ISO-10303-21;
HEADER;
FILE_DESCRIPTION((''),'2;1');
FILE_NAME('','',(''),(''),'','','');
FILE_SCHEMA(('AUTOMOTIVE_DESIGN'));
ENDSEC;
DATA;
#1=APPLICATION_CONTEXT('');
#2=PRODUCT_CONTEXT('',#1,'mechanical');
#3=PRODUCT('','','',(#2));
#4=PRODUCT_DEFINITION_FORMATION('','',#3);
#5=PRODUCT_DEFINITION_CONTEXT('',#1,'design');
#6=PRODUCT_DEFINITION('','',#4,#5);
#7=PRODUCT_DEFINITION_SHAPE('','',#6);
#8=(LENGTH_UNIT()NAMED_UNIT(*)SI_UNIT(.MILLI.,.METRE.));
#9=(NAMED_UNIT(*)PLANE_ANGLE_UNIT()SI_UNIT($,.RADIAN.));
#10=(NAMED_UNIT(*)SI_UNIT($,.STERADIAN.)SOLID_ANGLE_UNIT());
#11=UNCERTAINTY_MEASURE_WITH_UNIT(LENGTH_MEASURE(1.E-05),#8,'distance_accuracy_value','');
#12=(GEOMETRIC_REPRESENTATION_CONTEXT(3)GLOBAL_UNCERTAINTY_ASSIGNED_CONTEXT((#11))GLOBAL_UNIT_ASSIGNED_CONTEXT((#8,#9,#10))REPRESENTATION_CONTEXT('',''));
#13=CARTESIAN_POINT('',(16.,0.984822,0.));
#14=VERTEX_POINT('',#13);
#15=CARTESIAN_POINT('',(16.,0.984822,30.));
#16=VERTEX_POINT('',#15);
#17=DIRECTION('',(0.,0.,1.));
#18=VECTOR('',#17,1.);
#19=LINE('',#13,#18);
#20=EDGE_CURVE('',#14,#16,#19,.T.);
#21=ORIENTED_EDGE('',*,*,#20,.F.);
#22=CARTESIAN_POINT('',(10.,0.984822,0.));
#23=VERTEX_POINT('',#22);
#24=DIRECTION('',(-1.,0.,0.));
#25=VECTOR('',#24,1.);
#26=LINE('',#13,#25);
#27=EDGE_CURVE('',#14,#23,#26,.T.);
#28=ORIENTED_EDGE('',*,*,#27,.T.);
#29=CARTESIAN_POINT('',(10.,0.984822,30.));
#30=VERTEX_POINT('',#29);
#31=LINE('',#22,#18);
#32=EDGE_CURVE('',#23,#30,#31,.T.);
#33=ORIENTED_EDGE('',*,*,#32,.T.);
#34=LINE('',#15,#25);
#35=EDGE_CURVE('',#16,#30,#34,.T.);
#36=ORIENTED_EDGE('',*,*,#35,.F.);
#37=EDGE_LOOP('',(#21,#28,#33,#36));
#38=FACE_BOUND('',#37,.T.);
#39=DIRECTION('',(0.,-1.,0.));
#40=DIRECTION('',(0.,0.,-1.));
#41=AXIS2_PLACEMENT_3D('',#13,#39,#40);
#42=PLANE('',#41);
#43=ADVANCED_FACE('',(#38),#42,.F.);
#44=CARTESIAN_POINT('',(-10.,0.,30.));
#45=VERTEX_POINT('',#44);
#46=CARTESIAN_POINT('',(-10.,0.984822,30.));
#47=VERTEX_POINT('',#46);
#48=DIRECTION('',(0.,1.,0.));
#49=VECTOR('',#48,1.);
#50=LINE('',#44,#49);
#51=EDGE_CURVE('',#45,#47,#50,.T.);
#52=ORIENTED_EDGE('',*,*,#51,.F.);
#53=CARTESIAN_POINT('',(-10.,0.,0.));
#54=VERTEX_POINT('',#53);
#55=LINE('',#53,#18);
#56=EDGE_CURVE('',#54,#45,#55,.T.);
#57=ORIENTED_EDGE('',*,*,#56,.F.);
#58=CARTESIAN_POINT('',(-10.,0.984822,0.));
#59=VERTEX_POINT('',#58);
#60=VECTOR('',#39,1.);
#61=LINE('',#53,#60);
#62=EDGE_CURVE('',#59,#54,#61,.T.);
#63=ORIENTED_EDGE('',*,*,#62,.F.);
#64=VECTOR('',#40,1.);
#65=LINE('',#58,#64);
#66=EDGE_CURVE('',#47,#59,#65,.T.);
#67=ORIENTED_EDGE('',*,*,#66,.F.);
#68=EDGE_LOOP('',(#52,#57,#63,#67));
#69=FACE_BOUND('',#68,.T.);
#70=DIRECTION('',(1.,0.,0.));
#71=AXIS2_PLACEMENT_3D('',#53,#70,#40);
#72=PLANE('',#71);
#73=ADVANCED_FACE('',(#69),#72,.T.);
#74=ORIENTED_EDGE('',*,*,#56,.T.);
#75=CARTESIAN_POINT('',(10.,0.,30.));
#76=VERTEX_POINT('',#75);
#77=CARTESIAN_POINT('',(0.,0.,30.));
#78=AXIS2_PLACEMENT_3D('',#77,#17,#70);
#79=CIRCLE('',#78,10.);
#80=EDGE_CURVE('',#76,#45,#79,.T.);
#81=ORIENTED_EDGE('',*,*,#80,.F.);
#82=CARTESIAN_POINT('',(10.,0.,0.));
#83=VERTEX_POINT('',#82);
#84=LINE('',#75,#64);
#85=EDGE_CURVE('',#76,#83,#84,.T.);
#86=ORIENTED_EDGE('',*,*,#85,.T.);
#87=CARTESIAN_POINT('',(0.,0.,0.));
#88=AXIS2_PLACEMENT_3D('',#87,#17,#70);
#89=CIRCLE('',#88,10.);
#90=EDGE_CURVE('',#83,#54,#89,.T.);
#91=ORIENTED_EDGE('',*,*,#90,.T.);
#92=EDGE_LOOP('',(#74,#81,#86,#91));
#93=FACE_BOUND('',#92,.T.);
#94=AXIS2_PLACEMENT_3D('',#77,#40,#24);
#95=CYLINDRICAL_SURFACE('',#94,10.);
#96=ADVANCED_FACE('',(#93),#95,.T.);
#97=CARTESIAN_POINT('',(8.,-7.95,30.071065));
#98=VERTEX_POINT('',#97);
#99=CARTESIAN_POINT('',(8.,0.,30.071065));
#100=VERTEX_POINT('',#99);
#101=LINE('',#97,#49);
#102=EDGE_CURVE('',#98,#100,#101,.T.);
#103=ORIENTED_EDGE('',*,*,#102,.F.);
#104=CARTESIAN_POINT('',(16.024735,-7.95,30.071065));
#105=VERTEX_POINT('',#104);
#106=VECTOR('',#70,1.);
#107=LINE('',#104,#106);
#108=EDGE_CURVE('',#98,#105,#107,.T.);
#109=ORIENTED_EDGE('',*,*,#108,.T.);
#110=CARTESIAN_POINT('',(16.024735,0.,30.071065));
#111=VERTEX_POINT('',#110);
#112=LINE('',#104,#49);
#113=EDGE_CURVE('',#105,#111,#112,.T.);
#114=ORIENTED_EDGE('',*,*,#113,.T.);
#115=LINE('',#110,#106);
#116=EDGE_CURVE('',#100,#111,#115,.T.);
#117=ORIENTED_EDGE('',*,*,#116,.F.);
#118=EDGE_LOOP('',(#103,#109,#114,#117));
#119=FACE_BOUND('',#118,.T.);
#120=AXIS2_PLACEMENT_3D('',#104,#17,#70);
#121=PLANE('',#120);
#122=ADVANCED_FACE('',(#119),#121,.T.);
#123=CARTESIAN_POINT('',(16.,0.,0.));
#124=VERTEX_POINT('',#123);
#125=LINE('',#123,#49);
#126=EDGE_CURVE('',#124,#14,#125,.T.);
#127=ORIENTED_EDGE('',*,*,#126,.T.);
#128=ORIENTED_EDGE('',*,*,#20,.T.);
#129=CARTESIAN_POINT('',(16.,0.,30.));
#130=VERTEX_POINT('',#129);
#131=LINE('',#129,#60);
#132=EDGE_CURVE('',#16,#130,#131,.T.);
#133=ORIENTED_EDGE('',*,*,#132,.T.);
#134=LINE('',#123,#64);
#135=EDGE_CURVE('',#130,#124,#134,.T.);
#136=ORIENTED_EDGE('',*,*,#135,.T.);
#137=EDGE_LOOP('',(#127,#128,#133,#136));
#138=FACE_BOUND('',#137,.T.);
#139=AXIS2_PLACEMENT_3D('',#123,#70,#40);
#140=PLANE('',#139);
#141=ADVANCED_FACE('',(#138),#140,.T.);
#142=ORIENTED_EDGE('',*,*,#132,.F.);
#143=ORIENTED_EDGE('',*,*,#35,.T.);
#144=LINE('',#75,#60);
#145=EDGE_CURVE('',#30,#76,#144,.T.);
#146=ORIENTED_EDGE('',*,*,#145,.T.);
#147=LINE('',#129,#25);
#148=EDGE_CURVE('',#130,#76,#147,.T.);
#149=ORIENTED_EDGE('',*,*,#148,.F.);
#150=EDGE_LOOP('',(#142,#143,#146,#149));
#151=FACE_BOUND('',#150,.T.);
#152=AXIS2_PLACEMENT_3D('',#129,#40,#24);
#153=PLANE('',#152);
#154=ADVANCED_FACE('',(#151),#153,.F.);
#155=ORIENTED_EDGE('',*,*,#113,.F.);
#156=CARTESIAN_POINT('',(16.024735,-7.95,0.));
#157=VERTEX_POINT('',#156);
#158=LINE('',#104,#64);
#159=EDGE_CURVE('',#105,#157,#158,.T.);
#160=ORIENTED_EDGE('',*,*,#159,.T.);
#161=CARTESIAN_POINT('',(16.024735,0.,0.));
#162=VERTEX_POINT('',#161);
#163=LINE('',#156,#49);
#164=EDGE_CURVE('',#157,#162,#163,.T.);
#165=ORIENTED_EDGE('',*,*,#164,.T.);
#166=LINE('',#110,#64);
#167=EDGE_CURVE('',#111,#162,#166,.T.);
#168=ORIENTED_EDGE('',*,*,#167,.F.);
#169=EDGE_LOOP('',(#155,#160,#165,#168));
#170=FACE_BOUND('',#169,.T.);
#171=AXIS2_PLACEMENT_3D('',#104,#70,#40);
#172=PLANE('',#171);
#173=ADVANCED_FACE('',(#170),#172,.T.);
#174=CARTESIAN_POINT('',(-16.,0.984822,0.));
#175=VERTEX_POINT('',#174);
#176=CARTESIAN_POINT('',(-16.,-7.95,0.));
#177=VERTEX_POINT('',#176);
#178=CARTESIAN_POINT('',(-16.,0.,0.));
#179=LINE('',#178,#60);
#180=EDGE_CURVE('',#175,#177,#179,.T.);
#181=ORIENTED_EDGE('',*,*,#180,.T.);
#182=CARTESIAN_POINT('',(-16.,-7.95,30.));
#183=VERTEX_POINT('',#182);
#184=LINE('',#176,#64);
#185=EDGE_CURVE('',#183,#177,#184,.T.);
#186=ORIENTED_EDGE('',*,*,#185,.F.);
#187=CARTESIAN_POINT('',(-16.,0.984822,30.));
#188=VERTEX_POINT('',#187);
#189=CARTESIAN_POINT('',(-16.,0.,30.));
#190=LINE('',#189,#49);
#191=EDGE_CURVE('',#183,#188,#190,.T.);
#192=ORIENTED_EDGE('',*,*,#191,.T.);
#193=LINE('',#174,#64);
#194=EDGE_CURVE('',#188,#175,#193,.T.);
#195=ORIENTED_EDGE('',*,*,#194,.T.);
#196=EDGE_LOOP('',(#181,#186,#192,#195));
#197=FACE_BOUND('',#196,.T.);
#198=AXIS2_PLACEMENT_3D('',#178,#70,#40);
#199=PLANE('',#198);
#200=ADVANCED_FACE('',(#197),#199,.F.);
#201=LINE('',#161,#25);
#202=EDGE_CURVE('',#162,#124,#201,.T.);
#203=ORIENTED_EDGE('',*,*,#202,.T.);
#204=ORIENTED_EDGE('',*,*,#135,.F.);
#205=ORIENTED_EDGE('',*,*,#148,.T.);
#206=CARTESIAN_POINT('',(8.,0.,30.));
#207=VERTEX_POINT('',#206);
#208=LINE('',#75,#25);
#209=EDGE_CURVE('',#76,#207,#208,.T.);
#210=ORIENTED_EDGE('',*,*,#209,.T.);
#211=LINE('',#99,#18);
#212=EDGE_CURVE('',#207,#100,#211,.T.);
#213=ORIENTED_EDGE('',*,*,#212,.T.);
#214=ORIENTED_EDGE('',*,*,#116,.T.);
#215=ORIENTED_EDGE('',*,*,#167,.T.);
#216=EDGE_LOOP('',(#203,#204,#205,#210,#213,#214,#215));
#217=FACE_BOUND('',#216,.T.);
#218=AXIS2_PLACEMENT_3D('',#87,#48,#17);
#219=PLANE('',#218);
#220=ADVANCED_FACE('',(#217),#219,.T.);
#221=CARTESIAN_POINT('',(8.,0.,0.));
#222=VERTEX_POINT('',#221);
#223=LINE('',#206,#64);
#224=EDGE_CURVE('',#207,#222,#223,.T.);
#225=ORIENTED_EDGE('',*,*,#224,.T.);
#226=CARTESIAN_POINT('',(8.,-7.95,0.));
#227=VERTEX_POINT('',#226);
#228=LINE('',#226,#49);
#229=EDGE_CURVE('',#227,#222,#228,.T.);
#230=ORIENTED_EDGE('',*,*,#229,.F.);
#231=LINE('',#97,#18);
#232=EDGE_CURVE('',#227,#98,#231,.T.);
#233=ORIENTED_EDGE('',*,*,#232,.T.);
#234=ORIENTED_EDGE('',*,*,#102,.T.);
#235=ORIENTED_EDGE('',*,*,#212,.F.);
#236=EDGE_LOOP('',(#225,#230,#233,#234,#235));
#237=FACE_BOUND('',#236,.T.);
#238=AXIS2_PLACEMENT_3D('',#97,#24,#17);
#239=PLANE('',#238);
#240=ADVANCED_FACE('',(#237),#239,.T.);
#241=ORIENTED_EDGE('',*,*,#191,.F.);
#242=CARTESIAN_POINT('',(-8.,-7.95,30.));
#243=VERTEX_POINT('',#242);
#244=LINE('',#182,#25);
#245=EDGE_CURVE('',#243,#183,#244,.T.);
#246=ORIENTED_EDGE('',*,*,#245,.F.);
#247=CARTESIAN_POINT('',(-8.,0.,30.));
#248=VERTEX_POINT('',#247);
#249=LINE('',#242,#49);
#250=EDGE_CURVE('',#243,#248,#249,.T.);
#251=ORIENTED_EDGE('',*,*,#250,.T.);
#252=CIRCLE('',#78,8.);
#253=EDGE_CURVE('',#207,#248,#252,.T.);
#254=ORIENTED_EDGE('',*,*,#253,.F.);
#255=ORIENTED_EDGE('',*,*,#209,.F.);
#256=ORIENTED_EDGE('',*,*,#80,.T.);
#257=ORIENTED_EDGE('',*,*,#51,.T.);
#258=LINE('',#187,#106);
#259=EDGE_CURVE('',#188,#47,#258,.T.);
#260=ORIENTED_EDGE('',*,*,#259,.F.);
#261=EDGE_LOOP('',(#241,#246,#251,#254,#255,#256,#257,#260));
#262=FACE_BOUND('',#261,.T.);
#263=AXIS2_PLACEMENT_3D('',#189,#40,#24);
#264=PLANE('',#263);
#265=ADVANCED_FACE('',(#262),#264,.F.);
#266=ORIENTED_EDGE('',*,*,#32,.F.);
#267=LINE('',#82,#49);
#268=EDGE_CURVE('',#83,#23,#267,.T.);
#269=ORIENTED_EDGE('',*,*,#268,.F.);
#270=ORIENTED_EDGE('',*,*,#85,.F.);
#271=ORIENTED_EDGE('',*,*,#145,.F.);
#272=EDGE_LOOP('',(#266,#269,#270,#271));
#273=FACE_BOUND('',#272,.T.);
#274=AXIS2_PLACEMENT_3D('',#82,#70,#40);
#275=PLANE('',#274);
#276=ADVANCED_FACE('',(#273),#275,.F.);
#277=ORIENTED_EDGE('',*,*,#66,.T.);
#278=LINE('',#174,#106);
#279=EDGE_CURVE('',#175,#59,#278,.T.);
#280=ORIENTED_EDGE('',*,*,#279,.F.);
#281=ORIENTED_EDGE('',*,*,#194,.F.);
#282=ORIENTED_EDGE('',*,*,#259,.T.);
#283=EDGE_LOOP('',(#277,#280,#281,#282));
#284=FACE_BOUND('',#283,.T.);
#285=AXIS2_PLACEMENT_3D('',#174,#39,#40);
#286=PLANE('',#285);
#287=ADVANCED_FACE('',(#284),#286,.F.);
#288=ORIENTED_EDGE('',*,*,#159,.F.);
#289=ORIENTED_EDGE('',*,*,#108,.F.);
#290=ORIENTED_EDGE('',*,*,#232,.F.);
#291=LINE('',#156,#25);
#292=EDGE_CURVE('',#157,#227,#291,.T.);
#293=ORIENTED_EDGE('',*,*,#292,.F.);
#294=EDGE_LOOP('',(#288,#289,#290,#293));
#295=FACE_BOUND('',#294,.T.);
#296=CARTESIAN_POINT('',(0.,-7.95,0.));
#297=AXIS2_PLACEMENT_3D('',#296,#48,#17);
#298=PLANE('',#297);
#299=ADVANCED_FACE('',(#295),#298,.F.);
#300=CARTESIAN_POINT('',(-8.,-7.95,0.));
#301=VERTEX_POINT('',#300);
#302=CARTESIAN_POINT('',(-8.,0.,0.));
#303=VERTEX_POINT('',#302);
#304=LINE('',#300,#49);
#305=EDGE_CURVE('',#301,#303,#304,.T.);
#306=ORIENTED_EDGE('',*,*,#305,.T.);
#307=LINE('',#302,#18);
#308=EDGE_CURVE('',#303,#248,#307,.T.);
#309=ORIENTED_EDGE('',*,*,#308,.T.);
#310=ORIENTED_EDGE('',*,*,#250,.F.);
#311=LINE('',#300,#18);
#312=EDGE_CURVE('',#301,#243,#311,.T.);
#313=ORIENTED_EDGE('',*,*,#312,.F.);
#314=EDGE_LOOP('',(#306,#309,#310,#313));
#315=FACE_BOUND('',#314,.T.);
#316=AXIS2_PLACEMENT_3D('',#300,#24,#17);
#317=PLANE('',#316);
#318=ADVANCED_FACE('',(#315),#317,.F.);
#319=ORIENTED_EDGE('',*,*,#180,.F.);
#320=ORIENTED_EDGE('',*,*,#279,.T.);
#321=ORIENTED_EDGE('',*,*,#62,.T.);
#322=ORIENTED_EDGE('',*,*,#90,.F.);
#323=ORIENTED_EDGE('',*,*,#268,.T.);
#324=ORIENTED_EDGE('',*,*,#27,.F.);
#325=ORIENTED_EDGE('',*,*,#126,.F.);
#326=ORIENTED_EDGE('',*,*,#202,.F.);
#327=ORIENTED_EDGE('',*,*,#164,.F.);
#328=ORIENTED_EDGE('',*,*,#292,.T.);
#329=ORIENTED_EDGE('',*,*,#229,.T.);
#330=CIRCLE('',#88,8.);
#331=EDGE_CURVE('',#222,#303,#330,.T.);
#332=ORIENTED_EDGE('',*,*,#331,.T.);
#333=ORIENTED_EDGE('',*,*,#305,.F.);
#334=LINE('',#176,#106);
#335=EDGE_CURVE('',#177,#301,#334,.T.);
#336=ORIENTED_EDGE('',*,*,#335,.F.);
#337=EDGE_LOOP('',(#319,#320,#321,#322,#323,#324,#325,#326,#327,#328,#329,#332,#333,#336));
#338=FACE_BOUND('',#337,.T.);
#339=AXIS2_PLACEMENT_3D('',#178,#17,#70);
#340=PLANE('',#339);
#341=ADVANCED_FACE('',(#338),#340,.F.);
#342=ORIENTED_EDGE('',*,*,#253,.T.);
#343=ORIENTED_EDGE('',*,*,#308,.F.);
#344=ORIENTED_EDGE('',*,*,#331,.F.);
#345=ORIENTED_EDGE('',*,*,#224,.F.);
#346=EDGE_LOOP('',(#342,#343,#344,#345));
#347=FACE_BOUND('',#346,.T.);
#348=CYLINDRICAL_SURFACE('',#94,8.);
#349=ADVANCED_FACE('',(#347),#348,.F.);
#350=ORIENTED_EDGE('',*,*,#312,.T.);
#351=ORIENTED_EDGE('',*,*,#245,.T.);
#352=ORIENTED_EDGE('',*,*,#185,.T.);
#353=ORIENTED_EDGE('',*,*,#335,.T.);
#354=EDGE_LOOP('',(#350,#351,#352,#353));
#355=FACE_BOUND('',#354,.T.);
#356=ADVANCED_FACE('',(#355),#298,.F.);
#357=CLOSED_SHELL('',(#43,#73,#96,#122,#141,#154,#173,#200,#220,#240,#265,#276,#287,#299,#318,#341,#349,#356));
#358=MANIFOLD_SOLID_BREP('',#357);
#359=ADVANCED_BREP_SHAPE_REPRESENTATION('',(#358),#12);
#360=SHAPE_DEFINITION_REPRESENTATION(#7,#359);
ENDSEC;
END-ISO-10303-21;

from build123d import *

# Parameters (mm, degrees)
EXTRUDE_THIN1_DEPTH = 30
SKETCH2_W           = 30
SKETCH2_H           = 0.984822369
BOSS_EXTRUDE1_DEPTH = 6
SKETCH3_W           = 30
SKETCH3_H           = 0.984822369
BOSS_EXTRUDE2_DEPTH = 6
SKETCH7_W           = 8.024735178
SKETCH7_H           = 30.071065223
BOSS_EXTRUDE3_DEPTH = 7.95
SKETCH9_W           = 8
SKETCH9_H           = 30
BOSS_EXTRUDE5_DEPTH = 7.95


with BuildPart() as part:
    # Sketch1 → Extrude-Thin1 (new body)
    with BuildSketch(Plane.XY):
        with BuildLine():
            ThreePointArc((8, 0), (0, 8), (-8, 0))
            Line((-8, 0), (-10, 0))
            ThreePointArc((-10, 0), (0, 10), (10, 0))
            Line((10, 0), (8, 0))
        make_face()
    extrude(amount=EXTRUDE_THIN1_DEPTH)



with BuildPart() as body_2:
    # Sketch2 → Boss-Extrude1 (new body)
    with BuildSketch(Plane.ZY.offset(10)):
        with Locations((15, 0.492411185)):
            Rectangle(SKETCH2_W, SKETCH2_H)
    extrude(amount=BOSS_EXTRUDE1_DEPTH)


with BuildPart() as body_3:
    # Sketch3 → Boss-Extrude2 (new body)
    with BuildSketch(Plane(origin=(10, 0, 0), x_dir=(0, 0, -1), z_dir=(1, 0, 0))):
        with Locations((-15, 0.492411185)):
            Rectangle(SKETCH3_W, SKETCH3_H)
    extrude(amount=BOSS_EXTRUDE2_DEPTH)


with BuildPart() as part_1:
    add(part.part)

    add(body_3.part)  # Boss-Extrude3 merges body 3
    # Sketch7 → Boss-Extrude3 (add)
    with BuildSketch(Plane(origin=(0, 0, 0), x_dir=(1, 0, 0), z_dir=(0, 1, 0))):
        with Locations((12.012367589, -15.035532612)):
            Rectangle(SKETCH7_W, SKETCH7_H)
    extrude(amount=-BOSS_EXTRUDE3_DEPTH)


    add(body_2.part)  # Boss-Extrude5 merges body 2
    # Sketch9 → Boss-Extrude5 (add)
    with BuildSketch(Plane.XZ):
        with Locations((-12, 15)):
            Rectangle(SKETCH9_W, SKETCH9_H)
    extrude(amount=BOSS_EXTRUDE5_DEPTH)


solid = part_1.part
